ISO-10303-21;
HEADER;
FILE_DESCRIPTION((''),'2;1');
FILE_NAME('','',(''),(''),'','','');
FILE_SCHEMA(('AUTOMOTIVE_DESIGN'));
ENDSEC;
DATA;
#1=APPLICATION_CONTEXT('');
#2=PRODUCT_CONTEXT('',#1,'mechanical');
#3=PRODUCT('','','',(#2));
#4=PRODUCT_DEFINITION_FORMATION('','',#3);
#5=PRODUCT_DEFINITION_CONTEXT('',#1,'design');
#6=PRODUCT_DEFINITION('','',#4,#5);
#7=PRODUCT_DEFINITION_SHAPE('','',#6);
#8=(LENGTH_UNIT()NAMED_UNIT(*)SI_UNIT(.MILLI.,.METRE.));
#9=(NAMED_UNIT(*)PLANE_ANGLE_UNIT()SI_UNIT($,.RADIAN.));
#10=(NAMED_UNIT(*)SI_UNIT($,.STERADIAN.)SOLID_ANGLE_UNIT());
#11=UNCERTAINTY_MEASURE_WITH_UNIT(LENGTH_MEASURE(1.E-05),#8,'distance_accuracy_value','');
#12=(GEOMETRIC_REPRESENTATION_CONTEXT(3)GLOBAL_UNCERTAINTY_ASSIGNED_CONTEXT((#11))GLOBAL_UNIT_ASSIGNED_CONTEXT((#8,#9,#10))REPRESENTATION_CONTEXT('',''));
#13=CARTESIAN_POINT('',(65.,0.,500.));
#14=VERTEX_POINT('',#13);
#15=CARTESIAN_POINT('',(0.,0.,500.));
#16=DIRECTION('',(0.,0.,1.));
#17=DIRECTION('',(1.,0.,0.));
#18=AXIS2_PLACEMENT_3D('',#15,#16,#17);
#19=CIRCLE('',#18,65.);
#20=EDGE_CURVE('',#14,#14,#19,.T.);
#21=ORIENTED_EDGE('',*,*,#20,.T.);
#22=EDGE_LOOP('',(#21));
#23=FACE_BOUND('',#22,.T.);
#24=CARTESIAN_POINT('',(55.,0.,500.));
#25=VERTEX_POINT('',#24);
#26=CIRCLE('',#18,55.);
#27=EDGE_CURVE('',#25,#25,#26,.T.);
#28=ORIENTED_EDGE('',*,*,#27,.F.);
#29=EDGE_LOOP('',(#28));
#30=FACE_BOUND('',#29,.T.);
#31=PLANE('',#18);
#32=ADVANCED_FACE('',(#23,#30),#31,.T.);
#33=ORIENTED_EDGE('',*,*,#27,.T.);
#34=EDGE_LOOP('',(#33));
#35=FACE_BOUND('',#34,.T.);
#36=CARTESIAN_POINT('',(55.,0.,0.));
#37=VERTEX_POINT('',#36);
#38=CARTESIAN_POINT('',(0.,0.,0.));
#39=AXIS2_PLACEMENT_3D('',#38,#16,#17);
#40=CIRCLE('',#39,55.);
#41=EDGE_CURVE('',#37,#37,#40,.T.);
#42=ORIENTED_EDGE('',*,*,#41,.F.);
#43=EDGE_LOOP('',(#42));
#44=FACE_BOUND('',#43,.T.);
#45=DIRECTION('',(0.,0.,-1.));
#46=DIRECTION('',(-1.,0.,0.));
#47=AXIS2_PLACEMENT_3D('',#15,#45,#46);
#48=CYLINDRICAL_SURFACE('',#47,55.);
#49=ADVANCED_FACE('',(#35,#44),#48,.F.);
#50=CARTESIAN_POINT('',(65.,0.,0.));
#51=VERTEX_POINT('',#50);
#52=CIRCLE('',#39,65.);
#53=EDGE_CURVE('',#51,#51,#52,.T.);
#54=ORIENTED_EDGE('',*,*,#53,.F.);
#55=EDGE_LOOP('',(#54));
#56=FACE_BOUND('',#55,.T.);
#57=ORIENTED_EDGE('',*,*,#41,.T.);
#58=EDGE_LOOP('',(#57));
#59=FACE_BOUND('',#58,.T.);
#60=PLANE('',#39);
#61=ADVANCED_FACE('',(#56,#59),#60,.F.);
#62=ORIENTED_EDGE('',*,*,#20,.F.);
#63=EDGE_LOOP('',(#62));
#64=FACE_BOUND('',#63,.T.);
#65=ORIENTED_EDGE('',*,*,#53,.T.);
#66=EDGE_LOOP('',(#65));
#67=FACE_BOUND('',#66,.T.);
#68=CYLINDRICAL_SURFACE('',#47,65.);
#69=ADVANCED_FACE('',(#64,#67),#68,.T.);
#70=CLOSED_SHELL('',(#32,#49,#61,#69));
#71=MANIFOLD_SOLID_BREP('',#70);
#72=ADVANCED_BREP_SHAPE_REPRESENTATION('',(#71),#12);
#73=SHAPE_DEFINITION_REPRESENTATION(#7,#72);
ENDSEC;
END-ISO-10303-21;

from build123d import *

# Parameters (mm, degrees)
SKETCH_1_R      = 65
SKETCH_1_R_2    = 55
EXTRUDE_1_DEPTH = 500


with BuildPart() as part:
    # Эскиз1 → Бобышка-Вытянуть1 (new body)
    with BuildSketch(Plane.XY):
        Circle(SKETCH_1_R)
        Circle(SKETCH_1_R_2, mode=Mode.SUBTRACT)
    extrude(amount=EXTRUDE_1_DEPTH)


solid = part.part
